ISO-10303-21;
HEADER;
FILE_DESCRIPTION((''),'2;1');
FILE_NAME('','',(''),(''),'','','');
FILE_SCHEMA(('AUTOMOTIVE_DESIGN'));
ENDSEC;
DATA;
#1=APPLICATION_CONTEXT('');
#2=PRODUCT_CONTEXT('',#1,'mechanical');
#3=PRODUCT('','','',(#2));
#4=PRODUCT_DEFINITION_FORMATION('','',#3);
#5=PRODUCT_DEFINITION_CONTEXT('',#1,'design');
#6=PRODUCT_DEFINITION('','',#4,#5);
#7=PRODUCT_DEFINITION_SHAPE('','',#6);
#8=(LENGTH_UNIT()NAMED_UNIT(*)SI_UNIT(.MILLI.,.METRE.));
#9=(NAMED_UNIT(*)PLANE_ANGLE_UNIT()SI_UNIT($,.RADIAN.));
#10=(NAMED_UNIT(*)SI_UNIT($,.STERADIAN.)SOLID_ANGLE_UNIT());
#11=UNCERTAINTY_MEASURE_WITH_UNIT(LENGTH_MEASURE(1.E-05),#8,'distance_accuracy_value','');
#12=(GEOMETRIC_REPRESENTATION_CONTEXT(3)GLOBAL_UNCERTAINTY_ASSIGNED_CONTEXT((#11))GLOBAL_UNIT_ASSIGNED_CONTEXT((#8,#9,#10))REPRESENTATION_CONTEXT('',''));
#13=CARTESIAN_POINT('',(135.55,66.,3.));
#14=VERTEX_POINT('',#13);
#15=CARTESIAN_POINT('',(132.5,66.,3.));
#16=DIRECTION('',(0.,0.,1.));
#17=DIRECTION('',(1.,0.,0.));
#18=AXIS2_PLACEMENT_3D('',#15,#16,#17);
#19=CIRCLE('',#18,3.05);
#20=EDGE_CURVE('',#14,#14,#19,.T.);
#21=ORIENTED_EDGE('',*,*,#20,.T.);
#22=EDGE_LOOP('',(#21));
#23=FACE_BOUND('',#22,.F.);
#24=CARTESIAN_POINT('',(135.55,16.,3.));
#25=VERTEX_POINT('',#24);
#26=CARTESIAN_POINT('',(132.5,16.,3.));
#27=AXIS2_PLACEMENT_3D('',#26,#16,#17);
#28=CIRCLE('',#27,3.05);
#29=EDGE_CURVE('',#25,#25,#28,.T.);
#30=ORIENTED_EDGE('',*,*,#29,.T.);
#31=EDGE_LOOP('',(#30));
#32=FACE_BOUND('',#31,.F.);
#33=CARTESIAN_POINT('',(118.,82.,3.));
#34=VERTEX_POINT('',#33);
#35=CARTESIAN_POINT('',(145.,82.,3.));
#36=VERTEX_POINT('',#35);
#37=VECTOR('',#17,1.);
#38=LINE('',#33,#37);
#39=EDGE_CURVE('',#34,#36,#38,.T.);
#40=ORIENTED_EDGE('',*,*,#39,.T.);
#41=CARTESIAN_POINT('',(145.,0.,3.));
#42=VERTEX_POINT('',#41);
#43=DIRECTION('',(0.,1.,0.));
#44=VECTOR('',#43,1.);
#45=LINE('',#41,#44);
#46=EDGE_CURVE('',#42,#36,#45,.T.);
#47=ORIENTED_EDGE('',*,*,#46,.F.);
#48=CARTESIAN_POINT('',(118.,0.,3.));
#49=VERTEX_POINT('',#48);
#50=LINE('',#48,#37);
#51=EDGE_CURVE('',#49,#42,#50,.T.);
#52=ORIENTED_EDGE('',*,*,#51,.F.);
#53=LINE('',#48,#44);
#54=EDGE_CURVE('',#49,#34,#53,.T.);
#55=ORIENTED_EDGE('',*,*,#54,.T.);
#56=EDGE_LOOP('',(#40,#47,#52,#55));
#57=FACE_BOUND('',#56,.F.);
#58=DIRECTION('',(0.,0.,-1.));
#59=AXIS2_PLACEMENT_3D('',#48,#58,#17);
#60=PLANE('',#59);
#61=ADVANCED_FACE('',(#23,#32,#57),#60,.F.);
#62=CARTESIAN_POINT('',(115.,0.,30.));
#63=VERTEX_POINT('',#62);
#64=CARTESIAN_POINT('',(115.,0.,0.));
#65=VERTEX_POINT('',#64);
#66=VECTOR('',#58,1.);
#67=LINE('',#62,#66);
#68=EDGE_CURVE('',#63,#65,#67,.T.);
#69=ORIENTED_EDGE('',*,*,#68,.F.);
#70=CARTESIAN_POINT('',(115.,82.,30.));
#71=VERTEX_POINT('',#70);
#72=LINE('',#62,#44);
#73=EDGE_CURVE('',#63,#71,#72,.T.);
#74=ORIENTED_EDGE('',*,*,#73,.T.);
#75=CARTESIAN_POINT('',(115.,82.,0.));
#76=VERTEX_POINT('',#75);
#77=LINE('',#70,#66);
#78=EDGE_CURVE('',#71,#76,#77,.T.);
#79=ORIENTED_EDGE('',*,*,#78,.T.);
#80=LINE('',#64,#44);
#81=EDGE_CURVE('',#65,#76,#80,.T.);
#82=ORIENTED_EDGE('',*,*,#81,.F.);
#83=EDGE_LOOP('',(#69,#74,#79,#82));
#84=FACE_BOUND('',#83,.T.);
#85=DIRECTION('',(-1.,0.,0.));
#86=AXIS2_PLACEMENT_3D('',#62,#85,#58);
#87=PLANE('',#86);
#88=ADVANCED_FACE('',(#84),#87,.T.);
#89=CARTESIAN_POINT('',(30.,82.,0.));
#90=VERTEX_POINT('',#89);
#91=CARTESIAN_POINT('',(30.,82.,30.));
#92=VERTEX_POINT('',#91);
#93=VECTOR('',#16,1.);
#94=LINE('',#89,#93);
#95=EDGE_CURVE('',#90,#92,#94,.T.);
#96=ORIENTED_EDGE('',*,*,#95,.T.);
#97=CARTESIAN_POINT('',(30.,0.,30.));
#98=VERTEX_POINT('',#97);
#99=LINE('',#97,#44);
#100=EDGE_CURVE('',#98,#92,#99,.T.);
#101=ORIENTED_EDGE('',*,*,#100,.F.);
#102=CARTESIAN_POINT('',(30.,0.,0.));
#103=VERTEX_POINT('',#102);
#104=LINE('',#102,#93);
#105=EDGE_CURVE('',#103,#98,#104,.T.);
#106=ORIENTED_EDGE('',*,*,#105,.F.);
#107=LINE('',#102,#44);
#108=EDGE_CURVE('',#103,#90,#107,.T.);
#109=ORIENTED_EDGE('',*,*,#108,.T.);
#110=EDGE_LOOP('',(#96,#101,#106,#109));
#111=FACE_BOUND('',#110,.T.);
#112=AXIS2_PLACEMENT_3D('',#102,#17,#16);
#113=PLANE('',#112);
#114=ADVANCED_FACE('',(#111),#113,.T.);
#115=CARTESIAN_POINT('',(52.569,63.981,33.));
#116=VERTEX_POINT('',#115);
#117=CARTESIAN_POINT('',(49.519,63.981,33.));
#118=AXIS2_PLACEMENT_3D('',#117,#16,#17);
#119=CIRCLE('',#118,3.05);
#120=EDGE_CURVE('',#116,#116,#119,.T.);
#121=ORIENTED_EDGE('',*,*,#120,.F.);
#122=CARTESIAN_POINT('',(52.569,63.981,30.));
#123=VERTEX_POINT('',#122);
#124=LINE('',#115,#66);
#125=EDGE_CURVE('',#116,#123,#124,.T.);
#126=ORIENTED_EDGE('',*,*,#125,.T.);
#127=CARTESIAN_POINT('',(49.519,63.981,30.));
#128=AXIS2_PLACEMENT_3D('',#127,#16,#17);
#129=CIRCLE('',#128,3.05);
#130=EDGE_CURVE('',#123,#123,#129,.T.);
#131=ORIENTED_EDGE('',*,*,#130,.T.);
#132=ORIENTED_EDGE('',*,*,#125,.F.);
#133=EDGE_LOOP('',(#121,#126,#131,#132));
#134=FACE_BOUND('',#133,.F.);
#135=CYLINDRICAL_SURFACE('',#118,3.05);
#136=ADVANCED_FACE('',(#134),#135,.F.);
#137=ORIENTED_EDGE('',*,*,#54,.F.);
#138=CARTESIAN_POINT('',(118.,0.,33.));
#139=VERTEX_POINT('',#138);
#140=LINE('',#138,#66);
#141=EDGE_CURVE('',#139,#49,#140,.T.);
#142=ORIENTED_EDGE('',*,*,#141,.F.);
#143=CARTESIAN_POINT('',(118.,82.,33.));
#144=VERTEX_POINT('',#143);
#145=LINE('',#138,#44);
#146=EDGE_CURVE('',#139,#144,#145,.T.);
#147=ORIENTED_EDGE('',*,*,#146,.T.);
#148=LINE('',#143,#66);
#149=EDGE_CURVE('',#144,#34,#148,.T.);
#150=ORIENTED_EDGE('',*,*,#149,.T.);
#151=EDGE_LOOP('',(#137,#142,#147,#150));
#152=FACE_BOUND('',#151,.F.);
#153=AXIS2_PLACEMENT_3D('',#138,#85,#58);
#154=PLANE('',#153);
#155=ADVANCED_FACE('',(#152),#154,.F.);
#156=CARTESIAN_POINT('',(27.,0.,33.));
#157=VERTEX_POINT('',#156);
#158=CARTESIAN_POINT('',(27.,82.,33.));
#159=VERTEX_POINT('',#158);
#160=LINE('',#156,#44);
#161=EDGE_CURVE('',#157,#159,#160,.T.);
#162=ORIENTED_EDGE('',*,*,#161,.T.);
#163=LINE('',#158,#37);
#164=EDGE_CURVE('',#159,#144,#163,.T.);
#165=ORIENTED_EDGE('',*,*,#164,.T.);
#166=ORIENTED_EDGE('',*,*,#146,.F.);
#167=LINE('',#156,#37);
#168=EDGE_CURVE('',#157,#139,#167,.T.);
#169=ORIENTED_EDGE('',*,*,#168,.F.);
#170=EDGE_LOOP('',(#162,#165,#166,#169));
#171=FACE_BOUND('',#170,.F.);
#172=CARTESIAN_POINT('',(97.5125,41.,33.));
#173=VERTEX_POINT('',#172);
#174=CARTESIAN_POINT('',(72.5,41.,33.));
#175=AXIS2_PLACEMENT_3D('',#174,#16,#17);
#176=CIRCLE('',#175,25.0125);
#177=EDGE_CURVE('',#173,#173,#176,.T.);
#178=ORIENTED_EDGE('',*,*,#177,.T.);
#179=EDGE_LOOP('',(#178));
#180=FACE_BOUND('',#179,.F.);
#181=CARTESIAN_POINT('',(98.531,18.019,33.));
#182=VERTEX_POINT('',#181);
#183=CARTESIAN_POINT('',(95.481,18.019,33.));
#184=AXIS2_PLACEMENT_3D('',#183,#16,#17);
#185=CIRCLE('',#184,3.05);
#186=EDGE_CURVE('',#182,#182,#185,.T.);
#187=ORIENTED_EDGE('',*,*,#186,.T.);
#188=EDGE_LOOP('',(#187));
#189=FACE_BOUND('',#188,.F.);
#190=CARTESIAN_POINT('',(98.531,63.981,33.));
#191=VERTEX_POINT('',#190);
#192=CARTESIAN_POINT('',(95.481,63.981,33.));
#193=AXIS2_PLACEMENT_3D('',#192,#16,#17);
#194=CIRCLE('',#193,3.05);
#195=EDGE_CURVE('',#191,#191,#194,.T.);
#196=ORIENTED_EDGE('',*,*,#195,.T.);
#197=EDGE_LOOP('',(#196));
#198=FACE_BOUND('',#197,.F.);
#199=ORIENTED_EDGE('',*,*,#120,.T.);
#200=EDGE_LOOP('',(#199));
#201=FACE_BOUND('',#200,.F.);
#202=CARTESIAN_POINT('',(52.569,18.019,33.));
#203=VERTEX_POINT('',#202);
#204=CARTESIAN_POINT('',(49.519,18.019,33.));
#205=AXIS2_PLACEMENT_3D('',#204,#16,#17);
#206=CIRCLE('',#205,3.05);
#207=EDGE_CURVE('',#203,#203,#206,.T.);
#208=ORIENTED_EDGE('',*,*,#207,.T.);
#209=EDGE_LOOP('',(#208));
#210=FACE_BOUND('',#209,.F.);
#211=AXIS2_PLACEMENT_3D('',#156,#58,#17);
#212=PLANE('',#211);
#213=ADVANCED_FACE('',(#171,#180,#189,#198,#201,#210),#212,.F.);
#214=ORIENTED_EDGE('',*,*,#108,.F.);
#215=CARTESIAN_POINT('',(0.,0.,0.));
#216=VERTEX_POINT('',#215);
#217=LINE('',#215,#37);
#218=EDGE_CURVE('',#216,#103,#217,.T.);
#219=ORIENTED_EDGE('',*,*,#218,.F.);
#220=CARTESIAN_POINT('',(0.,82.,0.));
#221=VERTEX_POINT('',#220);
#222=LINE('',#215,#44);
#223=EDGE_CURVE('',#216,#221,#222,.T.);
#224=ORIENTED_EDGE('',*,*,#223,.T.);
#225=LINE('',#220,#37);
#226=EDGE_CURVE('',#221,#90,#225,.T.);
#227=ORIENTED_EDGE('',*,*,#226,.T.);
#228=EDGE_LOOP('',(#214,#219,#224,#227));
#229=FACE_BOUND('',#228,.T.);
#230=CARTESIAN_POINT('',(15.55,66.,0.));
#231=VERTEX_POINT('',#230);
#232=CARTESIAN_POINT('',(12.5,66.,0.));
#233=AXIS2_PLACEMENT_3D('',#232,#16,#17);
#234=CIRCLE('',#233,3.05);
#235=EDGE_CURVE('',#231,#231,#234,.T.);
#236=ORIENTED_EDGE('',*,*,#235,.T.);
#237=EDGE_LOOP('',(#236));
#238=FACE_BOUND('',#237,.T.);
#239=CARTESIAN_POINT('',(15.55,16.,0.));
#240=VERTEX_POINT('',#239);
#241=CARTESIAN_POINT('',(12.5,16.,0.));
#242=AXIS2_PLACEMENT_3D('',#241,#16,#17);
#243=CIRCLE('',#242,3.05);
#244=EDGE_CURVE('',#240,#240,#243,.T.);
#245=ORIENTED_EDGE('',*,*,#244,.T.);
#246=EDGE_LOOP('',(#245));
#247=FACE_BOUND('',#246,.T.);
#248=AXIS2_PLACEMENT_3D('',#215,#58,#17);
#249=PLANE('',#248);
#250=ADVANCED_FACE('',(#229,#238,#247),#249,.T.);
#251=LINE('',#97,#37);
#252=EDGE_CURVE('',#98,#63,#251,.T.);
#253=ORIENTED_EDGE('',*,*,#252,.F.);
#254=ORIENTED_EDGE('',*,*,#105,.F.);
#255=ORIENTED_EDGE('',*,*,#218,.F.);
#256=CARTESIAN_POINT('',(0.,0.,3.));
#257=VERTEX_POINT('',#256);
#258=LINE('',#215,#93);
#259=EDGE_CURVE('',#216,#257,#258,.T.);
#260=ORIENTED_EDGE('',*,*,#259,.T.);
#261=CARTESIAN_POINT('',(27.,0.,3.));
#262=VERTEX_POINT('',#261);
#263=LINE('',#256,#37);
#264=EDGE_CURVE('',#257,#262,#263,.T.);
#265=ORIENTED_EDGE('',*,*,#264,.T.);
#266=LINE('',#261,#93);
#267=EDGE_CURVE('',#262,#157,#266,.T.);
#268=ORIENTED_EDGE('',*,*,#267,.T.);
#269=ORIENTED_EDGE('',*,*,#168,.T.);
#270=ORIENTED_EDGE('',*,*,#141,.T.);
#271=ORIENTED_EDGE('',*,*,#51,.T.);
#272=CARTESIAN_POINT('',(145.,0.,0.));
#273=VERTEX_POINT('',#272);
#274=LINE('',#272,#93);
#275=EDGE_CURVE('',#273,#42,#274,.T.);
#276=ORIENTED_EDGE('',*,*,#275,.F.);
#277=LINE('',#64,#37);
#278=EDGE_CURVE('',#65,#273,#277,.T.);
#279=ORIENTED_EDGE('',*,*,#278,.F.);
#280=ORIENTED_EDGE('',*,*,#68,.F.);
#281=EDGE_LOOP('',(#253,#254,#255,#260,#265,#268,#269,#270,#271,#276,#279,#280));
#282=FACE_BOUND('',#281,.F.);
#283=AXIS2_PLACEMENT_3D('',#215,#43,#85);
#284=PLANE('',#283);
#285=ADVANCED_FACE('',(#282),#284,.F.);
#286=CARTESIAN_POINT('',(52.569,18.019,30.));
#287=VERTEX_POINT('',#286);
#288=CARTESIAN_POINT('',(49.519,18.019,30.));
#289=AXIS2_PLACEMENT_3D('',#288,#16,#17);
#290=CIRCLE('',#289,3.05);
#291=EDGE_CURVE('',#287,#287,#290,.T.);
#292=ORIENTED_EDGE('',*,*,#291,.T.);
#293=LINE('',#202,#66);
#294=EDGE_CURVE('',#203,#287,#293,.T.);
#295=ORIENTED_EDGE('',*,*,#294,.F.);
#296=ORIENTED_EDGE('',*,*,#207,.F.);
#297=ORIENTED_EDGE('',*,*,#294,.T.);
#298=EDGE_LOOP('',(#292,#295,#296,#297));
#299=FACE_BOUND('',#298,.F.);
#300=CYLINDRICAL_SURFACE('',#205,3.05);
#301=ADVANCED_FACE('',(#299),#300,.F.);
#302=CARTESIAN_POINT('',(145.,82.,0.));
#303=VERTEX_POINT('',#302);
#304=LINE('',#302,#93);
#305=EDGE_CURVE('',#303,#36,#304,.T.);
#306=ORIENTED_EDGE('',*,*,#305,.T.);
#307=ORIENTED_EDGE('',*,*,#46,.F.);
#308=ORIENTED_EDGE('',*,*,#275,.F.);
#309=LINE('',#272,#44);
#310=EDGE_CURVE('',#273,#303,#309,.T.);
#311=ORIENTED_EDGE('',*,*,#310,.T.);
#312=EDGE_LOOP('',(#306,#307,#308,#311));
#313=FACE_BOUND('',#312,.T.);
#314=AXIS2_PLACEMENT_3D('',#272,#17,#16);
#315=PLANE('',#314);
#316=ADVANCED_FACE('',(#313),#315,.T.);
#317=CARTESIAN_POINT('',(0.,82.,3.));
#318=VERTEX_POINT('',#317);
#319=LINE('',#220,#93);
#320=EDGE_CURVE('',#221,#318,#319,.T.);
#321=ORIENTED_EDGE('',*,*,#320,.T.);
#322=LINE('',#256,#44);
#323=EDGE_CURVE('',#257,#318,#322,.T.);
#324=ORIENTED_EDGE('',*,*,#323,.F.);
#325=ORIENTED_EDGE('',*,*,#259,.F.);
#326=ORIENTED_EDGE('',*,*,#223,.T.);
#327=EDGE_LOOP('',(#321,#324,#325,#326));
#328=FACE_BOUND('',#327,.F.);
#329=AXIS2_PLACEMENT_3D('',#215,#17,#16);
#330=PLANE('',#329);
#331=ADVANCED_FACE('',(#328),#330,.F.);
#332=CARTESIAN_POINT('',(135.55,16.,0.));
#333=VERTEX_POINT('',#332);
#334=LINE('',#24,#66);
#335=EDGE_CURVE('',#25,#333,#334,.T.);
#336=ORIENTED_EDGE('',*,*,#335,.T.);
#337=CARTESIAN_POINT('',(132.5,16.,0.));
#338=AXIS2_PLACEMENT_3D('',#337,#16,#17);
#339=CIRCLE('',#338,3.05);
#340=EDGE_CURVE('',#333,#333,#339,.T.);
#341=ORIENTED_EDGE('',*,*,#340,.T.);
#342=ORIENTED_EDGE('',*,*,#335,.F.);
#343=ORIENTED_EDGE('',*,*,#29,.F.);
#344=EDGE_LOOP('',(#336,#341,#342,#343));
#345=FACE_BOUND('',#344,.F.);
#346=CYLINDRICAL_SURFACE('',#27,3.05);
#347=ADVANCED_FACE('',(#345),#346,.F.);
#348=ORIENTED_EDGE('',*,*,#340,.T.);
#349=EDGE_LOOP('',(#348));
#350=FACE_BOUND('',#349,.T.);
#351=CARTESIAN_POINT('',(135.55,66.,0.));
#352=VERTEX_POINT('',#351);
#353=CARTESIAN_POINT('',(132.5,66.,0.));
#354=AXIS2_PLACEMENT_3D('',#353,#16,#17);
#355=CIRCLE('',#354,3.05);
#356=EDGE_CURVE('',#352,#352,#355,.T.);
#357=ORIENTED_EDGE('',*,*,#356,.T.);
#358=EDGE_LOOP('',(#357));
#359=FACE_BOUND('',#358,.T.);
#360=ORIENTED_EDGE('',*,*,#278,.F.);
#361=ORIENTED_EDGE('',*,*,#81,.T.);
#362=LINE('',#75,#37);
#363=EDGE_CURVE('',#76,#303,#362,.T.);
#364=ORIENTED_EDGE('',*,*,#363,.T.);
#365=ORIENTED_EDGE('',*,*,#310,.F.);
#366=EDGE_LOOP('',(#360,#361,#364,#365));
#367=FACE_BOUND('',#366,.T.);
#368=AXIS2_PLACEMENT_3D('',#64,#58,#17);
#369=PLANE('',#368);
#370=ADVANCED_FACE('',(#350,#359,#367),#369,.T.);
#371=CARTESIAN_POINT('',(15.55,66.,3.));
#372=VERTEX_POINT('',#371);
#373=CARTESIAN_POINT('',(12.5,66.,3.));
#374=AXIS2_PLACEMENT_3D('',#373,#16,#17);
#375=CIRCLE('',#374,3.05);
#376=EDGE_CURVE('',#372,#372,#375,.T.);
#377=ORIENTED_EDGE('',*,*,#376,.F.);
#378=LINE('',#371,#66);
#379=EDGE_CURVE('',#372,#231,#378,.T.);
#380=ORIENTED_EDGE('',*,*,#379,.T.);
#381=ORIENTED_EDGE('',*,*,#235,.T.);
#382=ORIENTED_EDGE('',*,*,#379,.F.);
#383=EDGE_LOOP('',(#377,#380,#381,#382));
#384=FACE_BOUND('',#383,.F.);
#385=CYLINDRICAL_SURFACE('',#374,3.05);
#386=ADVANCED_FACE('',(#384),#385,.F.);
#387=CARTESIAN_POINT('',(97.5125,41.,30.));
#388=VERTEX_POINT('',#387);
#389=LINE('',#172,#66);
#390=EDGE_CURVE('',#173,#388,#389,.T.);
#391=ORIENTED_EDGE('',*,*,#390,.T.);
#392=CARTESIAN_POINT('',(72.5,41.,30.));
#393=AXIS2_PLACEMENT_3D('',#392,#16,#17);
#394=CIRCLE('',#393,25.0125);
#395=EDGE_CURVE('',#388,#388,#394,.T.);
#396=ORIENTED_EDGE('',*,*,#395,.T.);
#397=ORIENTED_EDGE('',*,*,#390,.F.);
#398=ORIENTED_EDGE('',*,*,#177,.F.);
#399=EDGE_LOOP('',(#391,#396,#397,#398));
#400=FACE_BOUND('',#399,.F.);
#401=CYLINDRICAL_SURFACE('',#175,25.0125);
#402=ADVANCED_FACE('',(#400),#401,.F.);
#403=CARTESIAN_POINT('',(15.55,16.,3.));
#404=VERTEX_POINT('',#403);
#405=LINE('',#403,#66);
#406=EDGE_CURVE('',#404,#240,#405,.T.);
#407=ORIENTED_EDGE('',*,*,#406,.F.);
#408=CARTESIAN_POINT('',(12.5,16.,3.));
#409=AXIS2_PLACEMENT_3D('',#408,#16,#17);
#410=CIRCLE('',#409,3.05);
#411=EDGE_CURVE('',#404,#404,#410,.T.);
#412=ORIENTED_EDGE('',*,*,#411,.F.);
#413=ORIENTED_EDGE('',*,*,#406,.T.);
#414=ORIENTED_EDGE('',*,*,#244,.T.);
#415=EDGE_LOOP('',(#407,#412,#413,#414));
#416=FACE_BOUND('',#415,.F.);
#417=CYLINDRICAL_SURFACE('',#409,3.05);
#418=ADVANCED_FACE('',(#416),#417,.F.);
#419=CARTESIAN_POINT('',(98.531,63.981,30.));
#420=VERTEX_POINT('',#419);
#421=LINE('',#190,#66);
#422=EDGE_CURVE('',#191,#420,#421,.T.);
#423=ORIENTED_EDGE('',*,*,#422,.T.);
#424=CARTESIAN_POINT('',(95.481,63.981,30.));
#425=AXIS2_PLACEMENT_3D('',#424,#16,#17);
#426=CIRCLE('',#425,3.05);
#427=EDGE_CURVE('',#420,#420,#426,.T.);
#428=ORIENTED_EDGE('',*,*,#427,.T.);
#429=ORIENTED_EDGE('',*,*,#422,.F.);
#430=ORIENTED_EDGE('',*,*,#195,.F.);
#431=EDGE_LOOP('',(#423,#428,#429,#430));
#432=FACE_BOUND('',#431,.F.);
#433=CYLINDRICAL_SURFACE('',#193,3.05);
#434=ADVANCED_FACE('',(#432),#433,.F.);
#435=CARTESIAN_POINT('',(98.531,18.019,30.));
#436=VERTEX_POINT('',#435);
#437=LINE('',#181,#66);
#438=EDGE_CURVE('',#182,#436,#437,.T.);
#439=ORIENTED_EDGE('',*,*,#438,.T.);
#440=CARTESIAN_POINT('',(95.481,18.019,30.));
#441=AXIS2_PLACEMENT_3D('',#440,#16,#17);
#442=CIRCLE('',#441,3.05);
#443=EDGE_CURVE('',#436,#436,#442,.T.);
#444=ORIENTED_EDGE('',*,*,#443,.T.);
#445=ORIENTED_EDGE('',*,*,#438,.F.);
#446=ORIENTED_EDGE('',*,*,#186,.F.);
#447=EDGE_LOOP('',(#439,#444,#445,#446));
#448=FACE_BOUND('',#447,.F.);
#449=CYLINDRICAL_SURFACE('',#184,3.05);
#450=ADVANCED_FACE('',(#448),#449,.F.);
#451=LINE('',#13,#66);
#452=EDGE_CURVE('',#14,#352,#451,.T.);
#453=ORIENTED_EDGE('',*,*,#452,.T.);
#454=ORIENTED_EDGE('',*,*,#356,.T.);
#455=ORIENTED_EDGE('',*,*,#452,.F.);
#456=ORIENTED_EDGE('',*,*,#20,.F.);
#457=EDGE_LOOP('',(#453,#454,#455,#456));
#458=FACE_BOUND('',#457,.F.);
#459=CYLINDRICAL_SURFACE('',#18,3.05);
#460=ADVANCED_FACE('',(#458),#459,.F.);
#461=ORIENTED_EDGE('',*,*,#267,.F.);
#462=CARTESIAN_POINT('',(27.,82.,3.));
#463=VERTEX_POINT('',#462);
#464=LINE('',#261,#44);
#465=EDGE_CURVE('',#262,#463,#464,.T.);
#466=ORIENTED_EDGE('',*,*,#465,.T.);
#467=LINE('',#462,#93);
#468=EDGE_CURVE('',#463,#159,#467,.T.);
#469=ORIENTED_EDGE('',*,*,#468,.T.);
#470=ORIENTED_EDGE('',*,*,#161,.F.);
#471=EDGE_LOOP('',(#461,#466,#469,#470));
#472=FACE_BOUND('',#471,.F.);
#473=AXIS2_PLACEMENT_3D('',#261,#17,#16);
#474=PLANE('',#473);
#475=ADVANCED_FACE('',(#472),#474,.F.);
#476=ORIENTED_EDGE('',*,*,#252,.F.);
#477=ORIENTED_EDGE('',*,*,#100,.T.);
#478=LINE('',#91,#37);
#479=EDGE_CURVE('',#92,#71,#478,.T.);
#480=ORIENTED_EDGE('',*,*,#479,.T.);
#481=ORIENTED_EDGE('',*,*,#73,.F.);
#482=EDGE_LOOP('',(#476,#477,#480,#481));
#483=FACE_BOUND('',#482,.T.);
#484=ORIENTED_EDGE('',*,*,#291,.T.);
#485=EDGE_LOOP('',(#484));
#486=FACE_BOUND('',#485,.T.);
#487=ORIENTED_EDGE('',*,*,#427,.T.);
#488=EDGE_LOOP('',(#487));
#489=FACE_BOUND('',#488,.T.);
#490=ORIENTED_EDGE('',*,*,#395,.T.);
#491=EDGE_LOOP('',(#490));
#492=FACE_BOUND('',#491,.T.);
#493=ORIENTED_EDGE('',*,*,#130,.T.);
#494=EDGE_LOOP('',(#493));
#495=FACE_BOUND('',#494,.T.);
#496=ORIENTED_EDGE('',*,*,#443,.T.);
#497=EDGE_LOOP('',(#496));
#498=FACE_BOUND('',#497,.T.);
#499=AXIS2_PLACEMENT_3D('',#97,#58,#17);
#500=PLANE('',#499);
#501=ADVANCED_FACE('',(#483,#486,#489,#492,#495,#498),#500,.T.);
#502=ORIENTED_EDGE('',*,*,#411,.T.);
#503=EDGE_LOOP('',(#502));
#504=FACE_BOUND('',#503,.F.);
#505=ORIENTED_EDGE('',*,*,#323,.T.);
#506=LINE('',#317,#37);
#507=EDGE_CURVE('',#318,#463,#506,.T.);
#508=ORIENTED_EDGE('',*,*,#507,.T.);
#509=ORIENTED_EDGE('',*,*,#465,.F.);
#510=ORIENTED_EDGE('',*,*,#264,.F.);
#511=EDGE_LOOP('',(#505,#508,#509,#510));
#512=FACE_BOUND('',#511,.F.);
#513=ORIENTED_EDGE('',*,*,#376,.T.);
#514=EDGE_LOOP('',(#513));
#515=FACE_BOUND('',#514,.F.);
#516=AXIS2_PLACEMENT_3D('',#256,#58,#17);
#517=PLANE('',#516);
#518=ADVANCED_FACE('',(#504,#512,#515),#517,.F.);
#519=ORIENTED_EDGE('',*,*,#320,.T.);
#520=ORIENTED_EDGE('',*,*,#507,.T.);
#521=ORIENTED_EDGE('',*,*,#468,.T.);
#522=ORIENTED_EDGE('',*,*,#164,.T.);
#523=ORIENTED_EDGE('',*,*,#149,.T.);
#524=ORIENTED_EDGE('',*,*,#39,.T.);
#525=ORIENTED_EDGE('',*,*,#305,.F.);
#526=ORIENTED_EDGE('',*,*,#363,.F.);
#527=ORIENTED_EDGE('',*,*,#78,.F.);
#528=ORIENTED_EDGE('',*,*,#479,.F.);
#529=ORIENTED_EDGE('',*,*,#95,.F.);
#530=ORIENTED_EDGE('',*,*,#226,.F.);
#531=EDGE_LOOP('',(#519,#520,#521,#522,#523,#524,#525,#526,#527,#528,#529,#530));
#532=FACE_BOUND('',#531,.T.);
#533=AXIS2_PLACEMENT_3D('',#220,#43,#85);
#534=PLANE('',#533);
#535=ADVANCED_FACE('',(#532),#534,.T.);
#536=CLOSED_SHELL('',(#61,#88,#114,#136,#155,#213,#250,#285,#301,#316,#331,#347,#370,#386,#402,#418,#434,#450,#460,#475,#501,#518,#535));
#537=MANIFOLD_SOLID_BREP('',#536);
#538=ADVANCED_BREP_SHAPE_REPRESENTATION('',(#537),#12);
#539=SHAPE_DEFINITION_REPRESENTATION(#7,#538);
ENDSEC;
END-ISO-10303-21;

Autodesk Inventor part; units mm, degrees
ref_plane "YZ Plane" through (0, 0, 0) normal (1, 0, 0) x (0, 1, 0)
ref_plane "XZ Plane" through (0, 0, 0) normal (0, 1, 0) x (-1, 0, 0)
ref_plane "XY Plane" through (0, 0, 0) normal (0, 0, 1) x (1, 0, 0)
sketch "Sketch1" plane through (0, 0, 0) normal (0, 1, 0) x (-1, 0, 0)
  line L0 (0, 0) -> (-30, 0)
  line L1 (-30, 0) -> (-30, 30)
  line L2 (-30, 30) -> (-115, 30)
  line L3 (-115, 30) -> (-115, 0)
  line L4 (-115, 0) -> (-145, 0)
  line L5 (0, 3) -> (-27, 3)
  line L6 (-27, 3) -> (-27, 33)
  line L7 (-27, 33) -> (-118, 33)
  line L8 (-118, 33) -> (-118, 3)
  line L9 (-118, 3) -> (-145, 3)
  line L10 (0, 0) -> (0, 3)
  line L11 (-145, 0) -> (-145, 3)
  dimension "d0" = 30
  dimension "d1" = 30
  dimension "d2" = 3
  dimension "d28" = 85
extrude "Extrusion1" add sketch "Sketch1" along normal blind 82
sketch "Sketch2" plane through (27, 0, 33) normal (0, 0, 1) x (1, 0, 0)
  line L0 (0, 82) -> (91, 82) projected
  line L1 (45.5, 82) -> (45.5, 0) construction
  line L2 (0, 0) -> (91, 0) projected
  circle A0 centre (45.5, 41) radius 32.5 construction
  line L3 (45.5, 41) -> (68.481, 63.981) construction
  circle A1 centre (68.481, 63.981) radius 3.05
  circle A2 centre (22.519, 63.981) radius 3.05
  circle A3 centre (22.519, 18.019) radius 3.05
  circle A4 centre (68.481, 18.019) radius 3.05
  circle A5 centre (45.5, 41) radius 25.0125
  point P0 (-27, 0)
  dimension "d6" = 65
  dimension "d7" = 6.1
  dimension "d8" = 45
  dimension "d11" = 360
  dimension "d15" = 50.025
extrude "Extrusion2" cut sketch "Sketch2" against normal blind 82
sketch "Sketch3" plane through (0, 0, 3) normal (0, 0, 1) x (1, 0, 0)
  circle A0 centre (72.5, 41) radius 25.0125 construction
  line L0 (12.5, 66) -> (132.5, 66) construction
  line L1 (132.5, 66) -> (132.5, 16) construction
  line L2 (132.5, 16) -> (12.5, 16) construction
  line L3 (12.5, 16) -> (12.5, 66) construction
  line L4 (12.5, 66) -> (132.5, 16) construction
  line L5 (132.5, 66) -> (12.5, 16) construction
  circle A1 centre (12.5, 66) radius 3.05
  circle A2 centre (12.5, 16) radius 3.05
  circle A3 centre (132.5, 66) radius 3.05
  circle A4 centre (132.5, 16) radius 3.05
  dimension "d29" = 6.1
  dimension "d30" = 120
  dimension "d31" = 50
extrude "Extrusion3" cut sketch "Sketch3" against normal blind 10
properties part number "TopMotorBracket"
